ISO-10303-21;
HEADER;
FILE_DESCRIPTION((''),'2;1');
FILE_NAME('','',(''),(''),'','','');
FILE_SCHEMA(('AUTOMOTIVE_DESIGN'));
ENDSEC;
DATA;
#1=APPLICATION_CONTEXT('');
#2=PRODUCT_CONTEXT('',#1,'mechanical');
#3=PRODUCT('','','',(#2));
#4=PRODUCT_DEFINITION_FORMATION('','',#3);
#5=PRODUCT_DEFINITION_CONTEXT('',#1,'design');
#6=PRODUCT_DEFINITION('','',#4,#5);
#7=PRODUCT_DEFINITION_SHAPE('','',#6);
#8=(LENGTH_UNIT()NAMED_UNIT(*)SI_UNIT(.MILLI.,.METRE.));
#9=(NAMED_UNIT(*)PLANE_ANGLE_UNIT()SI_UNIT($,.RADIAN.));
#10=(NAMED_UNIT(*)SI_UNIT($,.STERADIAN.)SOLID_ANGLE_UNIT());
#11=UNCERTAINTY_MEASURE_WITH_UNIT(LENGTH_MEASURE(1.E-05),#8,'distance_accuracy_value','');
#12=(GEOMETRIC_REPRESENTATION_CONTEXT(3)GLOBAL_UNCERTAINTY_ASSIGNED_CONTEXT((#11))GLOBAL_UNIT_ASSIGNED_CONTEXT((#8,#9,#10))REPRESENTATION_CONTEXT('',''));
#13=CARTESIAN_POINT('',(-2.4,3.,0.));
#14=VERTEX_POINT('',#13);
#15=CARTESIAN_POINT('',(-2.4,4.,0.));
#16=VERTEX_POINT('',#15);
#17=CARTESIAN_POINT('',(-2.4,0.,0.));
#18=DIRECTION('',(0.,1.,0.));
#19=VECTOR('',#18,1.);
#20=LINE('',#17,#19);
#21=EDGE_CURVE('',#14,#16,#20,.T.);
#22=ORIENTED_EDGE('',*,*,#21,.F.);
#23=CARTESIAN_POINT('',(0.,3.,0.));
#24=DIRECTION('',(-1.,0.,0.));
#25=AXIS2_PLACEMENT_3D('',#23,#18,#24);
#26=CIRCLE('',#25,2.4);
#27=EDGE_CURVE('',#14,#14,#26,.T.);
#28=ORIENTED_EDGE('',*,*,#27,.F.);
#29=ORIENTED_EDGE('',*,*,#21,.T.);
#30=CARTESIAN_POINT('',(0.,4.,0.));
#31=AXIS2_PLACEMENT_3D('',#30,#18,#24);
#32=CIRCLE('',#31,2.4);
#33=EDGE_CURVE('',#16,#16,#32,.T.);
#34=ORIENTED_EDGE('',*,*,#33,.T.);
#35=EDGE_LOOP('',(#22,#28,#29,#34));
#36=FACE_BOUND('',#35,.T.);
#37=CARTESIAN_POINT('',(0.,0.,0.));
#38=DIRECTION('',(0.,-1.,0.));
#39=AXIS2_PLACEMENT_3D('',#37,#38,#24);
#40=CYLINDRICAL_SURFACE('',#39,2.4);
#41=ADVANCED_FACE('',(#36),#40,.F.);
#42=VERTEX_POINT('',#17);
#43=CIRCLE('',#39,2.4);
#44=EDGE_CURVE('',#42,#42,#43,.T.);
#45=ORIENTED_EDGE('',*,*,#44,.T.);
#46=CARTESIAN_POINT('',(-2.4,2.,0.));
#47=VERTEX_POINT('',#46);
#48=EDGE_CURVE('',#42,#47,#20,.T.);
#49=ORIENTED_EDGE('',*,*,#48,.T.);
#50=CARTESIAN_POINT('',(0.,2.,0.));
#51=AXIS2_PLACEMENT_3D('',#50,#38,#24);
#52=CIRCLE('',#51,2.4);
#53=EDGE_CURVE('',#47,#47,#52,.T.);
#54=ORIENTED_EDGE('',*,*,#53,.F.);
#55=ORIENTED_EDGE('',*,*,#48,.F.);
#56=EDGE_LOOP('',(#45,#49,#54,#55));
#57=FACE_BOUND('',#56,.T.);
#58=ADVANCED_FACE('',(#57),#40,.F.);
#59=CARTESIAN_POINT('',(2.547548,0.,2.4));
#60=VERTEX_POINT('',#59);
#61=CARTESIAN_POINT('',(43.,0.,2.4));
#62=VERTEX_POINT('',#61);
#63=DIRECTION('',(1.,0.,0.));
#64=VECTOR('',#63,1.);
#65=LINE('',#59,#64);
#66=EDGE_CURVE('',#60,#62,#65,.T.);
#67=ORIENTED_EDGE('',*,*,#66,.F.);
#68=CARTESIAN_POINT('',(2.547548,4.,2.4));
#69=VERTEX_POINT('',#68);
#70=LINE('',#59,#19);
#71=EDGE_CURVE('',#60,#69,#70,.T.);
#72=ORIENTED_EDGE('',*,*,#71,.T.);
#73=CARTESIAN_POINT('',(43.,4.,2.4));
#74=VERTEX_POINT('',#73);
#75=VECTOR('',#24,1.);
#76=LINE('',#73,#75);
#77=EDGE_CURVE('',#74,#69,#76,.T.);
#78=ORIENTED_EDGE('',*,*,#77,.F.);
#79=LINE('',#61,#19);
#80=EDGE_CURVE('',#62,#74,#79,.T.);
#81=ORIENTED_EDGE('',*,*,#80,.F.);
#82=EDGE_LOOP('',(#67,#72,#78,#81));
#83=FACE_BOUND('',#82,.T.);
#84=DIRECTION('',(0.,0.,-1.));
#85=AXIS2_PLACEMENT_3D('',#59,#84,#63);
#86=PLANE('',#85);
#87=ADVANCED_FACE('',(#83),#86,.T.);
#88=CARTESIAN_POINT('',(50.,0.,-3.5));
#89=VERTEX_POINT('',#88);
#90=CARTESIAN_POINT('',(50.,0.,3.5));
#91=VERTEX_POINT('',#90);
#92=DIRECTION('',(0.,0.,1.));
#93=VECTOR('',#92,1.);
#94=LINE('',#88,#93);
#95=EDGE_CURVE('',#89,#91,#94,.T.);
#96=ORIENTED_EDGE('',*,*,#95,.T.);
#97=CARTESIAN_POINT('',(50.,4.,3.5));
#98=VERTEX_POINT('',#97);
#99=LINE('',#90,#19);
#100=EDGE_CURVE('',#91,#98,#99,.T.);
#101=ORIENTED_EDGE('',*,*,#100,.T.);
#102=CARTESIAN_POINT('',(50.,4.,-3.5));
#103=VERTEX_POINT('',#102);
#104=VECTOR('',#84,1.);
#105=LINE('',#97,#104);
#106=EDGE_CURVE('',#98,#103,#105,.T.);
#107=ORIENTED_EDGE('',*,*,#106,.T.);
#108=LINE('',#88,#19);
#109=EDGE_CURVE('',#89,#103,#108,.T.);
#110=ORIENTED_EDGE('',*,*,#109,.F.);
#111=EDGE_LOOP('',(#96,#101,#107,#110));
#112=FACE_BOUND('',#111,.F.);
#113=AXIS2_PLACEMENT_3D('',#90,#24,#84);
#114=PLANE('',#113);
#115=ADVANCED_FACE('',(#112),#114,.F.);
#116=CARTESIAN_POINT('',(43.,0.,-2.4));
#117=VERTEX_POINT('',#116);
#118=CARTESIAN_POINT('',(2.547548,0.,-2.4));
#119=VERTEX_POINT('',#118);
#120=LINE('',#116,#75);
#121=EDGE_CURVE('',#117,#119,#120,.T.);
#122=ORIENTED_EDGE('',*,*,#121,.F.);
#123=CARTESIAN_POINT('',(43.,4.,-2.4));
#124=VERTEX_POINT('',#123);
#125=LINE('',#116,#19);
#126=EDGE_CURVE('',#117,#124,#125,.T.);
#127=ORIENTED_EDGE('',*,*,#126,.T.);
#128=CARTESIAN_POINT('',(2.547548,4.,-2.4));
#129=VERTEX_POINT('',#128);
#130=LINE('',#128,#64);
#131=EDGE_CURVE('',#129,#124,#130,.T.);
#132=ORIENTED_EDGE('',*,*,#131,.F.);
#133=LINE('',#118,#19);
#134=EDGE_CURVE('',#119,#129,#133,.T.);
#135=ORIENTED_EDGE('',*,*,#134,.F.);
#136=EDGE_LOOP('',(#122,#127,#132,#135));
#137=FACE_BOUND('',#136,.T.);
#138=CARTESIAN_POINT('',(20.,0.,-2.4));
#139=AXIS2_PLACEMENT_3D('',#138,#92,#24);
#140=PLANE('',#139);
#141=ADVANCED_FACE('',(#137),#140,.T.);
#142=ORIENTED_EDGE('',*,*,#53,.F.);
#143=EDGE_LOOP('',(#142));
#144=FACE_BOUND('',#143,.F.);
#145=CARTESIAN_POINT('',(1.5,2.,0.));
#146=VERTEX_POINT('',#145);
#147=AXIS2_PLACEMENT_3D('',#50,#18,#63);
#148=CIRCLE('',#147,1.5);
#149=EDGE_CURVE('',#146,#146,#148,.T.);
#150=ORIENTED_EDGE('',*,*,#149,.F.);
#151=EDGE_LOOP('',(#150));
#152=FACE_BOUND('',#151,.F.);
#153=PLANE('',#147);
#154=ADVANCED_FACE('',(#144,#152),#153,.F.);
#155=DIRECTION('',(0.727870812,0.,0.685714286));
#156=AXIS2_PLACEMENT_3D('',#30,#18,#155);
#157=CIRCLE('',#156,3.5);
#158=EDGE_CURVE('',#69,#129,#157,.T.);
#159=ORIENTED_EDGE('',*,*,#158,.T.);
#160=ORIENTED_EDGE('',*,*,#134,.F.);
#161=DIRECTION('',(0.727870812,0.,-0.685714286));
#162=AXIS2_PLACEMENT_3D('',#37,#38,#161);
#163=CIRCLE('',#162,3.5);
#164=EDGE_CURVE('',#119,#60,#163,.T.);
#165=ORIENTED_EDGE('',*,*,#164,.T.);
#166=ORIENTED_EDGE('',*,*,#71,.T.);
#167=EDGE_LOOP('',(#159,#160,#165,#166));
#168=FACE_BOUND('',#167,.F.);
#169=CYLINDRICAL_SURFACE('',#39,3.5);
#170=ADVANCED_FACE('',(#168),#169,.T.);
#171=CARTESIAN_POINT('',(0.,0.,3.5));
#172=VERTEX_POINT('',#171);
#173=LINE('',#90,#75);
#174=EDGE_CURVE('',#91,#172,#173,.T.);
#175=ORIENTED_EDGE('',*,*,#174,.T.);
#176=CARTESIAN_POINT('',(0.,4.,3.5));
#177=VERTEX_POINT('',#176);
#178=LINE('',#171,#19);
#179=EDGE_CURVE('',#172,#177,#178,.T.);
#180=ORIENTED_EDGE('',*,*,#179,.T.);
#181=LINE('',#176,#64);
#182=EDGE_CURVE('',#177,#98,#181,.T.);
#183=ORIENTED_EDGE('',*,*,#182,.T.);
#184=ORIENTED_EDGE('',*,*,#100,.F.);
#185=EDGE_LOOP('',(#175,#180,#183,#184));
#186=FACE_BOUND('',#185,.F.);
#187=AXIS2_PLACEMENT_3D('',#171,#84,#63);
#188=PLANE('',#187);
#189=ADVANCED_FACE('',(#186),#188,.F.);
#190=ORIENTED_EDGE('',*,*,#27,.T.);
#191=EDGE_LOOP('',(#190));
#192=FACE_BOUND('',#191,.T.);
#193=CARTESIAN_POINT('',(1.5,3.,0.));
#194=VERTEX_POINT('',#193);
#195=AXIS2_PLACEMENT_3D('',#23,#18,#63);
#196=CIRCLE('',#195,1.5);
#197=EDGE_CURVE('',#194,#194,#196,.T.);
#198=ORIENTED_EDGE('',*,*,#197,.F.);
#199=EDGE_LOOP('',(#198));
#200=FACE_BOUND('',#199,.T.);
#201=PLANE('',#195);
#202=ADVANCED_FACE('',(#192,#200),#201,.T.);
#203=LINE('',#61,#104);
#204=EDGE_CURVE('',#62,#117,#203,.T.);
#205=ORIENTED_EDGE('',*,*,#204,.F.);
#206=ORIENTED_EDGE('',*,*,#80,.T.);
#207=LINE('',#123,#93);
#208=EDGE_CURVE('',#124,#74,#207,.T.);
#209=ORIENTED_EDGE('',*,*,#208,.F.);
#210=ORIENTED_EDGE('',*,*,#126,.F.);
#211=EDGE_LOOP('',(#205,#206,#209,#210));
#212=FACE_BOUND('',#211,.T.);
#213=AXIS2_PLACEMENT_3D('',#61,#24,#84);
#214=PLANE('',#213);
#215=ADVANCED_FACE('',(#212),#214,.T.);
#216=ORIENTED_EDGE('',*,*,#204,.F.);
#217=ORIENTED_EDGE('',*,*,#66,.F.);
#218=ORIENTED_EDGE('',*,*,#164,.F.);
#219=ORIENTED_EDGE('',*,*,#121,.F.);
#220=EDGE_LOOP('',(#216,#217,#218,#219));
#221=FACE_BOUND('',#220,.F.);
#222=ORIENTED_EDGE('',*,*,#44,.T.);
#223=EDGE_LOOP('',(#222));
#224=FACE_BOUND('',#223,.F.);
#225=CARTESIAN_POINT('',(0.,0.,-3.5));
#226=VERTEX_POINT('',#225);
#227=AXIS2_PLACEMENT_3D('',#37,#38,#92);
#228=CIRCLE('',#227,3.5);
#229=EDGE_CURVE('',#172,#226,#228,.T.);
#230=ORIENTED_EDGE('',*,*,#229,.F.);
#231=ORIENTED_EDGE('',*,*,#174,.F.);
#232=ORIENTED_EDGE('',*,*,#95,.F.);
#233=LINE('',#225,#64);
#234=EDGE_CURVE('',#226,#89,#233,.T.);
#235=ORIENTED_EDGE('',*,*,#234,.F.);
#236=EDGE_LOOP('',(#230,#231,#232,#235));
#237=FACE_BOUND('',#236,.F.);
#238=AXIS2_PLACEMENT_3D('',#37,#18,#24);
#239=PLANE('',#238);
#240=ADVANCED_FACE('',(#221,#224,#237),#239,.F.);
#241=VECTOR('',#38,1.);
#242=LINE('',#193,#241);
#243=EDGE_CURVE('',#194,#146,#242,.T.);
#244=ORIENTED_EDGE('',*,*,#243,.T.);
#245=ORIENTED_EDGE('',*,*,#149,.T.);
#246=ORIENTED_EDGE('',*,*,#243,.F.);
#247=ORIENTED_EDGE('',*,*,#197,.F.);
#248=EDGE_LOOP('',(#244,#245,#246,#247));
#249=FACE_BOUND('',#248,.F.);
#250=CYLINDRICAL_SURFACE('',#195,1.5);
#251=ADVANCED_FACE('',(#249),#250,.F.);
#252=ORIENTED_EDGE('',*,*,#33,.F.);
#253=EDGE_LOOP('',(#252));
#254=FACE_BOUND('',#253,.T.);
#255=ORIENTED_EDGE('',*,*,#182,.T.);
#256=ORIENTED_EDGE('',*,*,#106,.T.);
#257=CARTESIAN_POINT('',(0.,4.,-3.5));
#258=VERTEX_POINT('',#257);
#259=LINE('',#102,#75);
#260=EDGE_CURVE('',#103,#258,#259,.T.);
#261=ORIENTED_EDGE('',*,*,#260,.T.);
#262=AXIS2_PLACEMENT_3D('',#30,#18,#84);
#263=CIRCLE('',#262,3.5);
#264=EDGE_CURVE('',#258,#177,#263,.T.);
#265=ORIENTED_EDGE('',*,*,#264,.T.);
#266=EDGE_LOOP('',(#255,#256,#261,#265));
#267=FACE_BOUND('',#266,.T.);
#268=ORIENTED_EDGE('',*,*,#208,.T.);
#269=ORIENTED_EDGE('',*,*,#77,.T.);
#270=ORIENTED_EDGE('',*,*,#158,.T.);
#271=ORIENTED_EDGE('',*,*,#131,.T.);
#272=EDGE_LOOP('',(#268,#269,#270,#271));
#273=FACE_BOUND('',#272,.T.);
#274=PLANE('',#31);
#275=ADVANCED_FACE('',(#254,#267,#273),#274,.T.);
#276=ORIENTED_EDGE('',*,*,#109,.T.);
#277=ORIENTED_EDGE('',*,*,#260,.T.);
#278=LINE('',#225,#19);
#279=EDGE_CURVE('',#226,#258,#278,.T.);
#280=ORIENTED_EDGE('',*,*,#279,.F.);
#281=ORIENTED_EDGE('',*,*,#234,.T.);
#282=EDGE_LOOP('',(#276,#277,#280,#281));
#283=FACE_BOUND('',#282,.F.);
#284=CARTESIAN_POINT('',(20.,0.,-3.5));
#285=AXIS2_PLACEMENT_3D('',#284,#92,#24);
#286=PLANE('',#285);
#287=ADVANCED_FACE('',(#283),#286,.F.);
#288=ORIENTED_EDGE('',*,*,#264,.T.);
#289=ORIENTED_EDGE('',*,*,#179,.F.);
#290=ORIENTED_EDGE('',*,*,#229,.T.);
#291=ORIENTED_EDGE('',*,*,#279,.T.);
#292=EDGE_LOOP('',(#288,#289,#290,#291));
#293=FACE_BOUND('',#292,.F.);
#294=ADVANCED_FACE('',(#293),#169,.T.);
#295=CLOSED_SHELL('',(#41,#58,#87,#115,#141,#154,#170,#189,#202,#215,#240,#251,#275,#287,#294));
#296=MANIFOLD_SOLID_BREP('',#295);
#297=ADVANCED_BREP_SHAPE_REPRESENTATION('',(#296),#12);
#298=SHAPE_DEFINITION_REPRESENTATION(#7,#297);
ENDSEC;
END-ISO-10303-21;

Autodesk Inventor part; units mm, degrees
ref_plane "YZ Plane" through (0, 0, 0) normal (1, 0, 0) x (0, 1, 0)
ref_plane "XZ Plane" through (0, 0, 0) normal (0, 1, 0) x (-1, 0, 0)
ref_plane "XY Plane" through (0, 0, 0) normal (0, 0, 1) x (1, 0, 0)
sketch "Szkic1" plane through (0, 0, 0) normal (0, 1, 0) x (-1, 0, 0)
  circle A0 centre (0, 0) radius 2.4
  circle A1 centre (0, 0) radius 3.5
  line L0 (0, 3.5) -> (-20, 3.5)
  line L1 (-20, 3.5) -> (-20, -3.5)
  line L2 (-20, -3.5) -> (0, -3.5)
  arc A2 (0, -3.5) -> (0, 3.5) centre (0, 0) ccw
  line L3 (0, 2.4) -> (-6, 2.4)
  line L4 (-6, 2.4) -> (-6, -2.4)
  line L5 (-6, -2.4) -> (0, -2.4)
  line L6 (-6, 2.4) -> (-18, 2.4)
  line L7 (-18, 2.4) -> (-18, -2.4)
  line L8 (-18, -2.4) -> (-6, -2.4)
  line L9 (-6, -2.4) -> (-6, 2.4)
  line L10 (0, 0) -> (-50, 0)
  line L11 (-20, 3.5) -> (-50, 3.5)
  line L12 (-50, 3.5) -> (-50, -3.5)
  line L13 (-50, -3.5) -> (-20, -3.5)
  line L14 (-20, -3.5) -> (-20, 3.5)
  line L15 (-18, 2.4) -> (-43, 2.4)
  line L16 (-43, 2.4) -> (-43, -2.4)
  line L17 (-43, -2.4) -> (-18, -2.4)
  line L18 (-18, -2.4) -> (-18, 2.4)
  point P0 (-2.5475, 2.4)
  point P1 (-2.5475, -2.4)
  dimension "d0" = 4.8
  dimension "d1" = 7
  dimension "d2" = 20
  dimension "d3" = 6
  dimension "d4" = 12
  dimension "d10" = 50
  dimension "d11" = 25
  dimension "d12" = 4.8
extrude "Wyciągnięcie proste1" add sketch "Szkic1" along normal blind 4 contours A0 L3 A1 L5 | A0 L10 A1 L3 | L5 A1 L10 A0 | L3 L6 L15 L1 L0 A1 | A1 L2 L1 L17 L8 L5 | L1 L15 L16 L10 L12 L11 | L13 L12 L10 L16 L17 L1
ref_plane "Płaszczyzna konstrukcyjna1" through (0, 3, 0) normal (0, 1, 0) x (1, 0, 0)
sketch "Szkic2" plane through (0, 3, 0) normal (0, 1, 0) x (1, 0, 0)
  circle A0 centre (0, 0) radius 1.5
  circle A1 centre (0, 0) radius 2.4
  dimension "d14" = 3
extrude "Wyciągnięcie proste2" add sketch "Szkic2" against normal blind 1
properties part number "dlon"
